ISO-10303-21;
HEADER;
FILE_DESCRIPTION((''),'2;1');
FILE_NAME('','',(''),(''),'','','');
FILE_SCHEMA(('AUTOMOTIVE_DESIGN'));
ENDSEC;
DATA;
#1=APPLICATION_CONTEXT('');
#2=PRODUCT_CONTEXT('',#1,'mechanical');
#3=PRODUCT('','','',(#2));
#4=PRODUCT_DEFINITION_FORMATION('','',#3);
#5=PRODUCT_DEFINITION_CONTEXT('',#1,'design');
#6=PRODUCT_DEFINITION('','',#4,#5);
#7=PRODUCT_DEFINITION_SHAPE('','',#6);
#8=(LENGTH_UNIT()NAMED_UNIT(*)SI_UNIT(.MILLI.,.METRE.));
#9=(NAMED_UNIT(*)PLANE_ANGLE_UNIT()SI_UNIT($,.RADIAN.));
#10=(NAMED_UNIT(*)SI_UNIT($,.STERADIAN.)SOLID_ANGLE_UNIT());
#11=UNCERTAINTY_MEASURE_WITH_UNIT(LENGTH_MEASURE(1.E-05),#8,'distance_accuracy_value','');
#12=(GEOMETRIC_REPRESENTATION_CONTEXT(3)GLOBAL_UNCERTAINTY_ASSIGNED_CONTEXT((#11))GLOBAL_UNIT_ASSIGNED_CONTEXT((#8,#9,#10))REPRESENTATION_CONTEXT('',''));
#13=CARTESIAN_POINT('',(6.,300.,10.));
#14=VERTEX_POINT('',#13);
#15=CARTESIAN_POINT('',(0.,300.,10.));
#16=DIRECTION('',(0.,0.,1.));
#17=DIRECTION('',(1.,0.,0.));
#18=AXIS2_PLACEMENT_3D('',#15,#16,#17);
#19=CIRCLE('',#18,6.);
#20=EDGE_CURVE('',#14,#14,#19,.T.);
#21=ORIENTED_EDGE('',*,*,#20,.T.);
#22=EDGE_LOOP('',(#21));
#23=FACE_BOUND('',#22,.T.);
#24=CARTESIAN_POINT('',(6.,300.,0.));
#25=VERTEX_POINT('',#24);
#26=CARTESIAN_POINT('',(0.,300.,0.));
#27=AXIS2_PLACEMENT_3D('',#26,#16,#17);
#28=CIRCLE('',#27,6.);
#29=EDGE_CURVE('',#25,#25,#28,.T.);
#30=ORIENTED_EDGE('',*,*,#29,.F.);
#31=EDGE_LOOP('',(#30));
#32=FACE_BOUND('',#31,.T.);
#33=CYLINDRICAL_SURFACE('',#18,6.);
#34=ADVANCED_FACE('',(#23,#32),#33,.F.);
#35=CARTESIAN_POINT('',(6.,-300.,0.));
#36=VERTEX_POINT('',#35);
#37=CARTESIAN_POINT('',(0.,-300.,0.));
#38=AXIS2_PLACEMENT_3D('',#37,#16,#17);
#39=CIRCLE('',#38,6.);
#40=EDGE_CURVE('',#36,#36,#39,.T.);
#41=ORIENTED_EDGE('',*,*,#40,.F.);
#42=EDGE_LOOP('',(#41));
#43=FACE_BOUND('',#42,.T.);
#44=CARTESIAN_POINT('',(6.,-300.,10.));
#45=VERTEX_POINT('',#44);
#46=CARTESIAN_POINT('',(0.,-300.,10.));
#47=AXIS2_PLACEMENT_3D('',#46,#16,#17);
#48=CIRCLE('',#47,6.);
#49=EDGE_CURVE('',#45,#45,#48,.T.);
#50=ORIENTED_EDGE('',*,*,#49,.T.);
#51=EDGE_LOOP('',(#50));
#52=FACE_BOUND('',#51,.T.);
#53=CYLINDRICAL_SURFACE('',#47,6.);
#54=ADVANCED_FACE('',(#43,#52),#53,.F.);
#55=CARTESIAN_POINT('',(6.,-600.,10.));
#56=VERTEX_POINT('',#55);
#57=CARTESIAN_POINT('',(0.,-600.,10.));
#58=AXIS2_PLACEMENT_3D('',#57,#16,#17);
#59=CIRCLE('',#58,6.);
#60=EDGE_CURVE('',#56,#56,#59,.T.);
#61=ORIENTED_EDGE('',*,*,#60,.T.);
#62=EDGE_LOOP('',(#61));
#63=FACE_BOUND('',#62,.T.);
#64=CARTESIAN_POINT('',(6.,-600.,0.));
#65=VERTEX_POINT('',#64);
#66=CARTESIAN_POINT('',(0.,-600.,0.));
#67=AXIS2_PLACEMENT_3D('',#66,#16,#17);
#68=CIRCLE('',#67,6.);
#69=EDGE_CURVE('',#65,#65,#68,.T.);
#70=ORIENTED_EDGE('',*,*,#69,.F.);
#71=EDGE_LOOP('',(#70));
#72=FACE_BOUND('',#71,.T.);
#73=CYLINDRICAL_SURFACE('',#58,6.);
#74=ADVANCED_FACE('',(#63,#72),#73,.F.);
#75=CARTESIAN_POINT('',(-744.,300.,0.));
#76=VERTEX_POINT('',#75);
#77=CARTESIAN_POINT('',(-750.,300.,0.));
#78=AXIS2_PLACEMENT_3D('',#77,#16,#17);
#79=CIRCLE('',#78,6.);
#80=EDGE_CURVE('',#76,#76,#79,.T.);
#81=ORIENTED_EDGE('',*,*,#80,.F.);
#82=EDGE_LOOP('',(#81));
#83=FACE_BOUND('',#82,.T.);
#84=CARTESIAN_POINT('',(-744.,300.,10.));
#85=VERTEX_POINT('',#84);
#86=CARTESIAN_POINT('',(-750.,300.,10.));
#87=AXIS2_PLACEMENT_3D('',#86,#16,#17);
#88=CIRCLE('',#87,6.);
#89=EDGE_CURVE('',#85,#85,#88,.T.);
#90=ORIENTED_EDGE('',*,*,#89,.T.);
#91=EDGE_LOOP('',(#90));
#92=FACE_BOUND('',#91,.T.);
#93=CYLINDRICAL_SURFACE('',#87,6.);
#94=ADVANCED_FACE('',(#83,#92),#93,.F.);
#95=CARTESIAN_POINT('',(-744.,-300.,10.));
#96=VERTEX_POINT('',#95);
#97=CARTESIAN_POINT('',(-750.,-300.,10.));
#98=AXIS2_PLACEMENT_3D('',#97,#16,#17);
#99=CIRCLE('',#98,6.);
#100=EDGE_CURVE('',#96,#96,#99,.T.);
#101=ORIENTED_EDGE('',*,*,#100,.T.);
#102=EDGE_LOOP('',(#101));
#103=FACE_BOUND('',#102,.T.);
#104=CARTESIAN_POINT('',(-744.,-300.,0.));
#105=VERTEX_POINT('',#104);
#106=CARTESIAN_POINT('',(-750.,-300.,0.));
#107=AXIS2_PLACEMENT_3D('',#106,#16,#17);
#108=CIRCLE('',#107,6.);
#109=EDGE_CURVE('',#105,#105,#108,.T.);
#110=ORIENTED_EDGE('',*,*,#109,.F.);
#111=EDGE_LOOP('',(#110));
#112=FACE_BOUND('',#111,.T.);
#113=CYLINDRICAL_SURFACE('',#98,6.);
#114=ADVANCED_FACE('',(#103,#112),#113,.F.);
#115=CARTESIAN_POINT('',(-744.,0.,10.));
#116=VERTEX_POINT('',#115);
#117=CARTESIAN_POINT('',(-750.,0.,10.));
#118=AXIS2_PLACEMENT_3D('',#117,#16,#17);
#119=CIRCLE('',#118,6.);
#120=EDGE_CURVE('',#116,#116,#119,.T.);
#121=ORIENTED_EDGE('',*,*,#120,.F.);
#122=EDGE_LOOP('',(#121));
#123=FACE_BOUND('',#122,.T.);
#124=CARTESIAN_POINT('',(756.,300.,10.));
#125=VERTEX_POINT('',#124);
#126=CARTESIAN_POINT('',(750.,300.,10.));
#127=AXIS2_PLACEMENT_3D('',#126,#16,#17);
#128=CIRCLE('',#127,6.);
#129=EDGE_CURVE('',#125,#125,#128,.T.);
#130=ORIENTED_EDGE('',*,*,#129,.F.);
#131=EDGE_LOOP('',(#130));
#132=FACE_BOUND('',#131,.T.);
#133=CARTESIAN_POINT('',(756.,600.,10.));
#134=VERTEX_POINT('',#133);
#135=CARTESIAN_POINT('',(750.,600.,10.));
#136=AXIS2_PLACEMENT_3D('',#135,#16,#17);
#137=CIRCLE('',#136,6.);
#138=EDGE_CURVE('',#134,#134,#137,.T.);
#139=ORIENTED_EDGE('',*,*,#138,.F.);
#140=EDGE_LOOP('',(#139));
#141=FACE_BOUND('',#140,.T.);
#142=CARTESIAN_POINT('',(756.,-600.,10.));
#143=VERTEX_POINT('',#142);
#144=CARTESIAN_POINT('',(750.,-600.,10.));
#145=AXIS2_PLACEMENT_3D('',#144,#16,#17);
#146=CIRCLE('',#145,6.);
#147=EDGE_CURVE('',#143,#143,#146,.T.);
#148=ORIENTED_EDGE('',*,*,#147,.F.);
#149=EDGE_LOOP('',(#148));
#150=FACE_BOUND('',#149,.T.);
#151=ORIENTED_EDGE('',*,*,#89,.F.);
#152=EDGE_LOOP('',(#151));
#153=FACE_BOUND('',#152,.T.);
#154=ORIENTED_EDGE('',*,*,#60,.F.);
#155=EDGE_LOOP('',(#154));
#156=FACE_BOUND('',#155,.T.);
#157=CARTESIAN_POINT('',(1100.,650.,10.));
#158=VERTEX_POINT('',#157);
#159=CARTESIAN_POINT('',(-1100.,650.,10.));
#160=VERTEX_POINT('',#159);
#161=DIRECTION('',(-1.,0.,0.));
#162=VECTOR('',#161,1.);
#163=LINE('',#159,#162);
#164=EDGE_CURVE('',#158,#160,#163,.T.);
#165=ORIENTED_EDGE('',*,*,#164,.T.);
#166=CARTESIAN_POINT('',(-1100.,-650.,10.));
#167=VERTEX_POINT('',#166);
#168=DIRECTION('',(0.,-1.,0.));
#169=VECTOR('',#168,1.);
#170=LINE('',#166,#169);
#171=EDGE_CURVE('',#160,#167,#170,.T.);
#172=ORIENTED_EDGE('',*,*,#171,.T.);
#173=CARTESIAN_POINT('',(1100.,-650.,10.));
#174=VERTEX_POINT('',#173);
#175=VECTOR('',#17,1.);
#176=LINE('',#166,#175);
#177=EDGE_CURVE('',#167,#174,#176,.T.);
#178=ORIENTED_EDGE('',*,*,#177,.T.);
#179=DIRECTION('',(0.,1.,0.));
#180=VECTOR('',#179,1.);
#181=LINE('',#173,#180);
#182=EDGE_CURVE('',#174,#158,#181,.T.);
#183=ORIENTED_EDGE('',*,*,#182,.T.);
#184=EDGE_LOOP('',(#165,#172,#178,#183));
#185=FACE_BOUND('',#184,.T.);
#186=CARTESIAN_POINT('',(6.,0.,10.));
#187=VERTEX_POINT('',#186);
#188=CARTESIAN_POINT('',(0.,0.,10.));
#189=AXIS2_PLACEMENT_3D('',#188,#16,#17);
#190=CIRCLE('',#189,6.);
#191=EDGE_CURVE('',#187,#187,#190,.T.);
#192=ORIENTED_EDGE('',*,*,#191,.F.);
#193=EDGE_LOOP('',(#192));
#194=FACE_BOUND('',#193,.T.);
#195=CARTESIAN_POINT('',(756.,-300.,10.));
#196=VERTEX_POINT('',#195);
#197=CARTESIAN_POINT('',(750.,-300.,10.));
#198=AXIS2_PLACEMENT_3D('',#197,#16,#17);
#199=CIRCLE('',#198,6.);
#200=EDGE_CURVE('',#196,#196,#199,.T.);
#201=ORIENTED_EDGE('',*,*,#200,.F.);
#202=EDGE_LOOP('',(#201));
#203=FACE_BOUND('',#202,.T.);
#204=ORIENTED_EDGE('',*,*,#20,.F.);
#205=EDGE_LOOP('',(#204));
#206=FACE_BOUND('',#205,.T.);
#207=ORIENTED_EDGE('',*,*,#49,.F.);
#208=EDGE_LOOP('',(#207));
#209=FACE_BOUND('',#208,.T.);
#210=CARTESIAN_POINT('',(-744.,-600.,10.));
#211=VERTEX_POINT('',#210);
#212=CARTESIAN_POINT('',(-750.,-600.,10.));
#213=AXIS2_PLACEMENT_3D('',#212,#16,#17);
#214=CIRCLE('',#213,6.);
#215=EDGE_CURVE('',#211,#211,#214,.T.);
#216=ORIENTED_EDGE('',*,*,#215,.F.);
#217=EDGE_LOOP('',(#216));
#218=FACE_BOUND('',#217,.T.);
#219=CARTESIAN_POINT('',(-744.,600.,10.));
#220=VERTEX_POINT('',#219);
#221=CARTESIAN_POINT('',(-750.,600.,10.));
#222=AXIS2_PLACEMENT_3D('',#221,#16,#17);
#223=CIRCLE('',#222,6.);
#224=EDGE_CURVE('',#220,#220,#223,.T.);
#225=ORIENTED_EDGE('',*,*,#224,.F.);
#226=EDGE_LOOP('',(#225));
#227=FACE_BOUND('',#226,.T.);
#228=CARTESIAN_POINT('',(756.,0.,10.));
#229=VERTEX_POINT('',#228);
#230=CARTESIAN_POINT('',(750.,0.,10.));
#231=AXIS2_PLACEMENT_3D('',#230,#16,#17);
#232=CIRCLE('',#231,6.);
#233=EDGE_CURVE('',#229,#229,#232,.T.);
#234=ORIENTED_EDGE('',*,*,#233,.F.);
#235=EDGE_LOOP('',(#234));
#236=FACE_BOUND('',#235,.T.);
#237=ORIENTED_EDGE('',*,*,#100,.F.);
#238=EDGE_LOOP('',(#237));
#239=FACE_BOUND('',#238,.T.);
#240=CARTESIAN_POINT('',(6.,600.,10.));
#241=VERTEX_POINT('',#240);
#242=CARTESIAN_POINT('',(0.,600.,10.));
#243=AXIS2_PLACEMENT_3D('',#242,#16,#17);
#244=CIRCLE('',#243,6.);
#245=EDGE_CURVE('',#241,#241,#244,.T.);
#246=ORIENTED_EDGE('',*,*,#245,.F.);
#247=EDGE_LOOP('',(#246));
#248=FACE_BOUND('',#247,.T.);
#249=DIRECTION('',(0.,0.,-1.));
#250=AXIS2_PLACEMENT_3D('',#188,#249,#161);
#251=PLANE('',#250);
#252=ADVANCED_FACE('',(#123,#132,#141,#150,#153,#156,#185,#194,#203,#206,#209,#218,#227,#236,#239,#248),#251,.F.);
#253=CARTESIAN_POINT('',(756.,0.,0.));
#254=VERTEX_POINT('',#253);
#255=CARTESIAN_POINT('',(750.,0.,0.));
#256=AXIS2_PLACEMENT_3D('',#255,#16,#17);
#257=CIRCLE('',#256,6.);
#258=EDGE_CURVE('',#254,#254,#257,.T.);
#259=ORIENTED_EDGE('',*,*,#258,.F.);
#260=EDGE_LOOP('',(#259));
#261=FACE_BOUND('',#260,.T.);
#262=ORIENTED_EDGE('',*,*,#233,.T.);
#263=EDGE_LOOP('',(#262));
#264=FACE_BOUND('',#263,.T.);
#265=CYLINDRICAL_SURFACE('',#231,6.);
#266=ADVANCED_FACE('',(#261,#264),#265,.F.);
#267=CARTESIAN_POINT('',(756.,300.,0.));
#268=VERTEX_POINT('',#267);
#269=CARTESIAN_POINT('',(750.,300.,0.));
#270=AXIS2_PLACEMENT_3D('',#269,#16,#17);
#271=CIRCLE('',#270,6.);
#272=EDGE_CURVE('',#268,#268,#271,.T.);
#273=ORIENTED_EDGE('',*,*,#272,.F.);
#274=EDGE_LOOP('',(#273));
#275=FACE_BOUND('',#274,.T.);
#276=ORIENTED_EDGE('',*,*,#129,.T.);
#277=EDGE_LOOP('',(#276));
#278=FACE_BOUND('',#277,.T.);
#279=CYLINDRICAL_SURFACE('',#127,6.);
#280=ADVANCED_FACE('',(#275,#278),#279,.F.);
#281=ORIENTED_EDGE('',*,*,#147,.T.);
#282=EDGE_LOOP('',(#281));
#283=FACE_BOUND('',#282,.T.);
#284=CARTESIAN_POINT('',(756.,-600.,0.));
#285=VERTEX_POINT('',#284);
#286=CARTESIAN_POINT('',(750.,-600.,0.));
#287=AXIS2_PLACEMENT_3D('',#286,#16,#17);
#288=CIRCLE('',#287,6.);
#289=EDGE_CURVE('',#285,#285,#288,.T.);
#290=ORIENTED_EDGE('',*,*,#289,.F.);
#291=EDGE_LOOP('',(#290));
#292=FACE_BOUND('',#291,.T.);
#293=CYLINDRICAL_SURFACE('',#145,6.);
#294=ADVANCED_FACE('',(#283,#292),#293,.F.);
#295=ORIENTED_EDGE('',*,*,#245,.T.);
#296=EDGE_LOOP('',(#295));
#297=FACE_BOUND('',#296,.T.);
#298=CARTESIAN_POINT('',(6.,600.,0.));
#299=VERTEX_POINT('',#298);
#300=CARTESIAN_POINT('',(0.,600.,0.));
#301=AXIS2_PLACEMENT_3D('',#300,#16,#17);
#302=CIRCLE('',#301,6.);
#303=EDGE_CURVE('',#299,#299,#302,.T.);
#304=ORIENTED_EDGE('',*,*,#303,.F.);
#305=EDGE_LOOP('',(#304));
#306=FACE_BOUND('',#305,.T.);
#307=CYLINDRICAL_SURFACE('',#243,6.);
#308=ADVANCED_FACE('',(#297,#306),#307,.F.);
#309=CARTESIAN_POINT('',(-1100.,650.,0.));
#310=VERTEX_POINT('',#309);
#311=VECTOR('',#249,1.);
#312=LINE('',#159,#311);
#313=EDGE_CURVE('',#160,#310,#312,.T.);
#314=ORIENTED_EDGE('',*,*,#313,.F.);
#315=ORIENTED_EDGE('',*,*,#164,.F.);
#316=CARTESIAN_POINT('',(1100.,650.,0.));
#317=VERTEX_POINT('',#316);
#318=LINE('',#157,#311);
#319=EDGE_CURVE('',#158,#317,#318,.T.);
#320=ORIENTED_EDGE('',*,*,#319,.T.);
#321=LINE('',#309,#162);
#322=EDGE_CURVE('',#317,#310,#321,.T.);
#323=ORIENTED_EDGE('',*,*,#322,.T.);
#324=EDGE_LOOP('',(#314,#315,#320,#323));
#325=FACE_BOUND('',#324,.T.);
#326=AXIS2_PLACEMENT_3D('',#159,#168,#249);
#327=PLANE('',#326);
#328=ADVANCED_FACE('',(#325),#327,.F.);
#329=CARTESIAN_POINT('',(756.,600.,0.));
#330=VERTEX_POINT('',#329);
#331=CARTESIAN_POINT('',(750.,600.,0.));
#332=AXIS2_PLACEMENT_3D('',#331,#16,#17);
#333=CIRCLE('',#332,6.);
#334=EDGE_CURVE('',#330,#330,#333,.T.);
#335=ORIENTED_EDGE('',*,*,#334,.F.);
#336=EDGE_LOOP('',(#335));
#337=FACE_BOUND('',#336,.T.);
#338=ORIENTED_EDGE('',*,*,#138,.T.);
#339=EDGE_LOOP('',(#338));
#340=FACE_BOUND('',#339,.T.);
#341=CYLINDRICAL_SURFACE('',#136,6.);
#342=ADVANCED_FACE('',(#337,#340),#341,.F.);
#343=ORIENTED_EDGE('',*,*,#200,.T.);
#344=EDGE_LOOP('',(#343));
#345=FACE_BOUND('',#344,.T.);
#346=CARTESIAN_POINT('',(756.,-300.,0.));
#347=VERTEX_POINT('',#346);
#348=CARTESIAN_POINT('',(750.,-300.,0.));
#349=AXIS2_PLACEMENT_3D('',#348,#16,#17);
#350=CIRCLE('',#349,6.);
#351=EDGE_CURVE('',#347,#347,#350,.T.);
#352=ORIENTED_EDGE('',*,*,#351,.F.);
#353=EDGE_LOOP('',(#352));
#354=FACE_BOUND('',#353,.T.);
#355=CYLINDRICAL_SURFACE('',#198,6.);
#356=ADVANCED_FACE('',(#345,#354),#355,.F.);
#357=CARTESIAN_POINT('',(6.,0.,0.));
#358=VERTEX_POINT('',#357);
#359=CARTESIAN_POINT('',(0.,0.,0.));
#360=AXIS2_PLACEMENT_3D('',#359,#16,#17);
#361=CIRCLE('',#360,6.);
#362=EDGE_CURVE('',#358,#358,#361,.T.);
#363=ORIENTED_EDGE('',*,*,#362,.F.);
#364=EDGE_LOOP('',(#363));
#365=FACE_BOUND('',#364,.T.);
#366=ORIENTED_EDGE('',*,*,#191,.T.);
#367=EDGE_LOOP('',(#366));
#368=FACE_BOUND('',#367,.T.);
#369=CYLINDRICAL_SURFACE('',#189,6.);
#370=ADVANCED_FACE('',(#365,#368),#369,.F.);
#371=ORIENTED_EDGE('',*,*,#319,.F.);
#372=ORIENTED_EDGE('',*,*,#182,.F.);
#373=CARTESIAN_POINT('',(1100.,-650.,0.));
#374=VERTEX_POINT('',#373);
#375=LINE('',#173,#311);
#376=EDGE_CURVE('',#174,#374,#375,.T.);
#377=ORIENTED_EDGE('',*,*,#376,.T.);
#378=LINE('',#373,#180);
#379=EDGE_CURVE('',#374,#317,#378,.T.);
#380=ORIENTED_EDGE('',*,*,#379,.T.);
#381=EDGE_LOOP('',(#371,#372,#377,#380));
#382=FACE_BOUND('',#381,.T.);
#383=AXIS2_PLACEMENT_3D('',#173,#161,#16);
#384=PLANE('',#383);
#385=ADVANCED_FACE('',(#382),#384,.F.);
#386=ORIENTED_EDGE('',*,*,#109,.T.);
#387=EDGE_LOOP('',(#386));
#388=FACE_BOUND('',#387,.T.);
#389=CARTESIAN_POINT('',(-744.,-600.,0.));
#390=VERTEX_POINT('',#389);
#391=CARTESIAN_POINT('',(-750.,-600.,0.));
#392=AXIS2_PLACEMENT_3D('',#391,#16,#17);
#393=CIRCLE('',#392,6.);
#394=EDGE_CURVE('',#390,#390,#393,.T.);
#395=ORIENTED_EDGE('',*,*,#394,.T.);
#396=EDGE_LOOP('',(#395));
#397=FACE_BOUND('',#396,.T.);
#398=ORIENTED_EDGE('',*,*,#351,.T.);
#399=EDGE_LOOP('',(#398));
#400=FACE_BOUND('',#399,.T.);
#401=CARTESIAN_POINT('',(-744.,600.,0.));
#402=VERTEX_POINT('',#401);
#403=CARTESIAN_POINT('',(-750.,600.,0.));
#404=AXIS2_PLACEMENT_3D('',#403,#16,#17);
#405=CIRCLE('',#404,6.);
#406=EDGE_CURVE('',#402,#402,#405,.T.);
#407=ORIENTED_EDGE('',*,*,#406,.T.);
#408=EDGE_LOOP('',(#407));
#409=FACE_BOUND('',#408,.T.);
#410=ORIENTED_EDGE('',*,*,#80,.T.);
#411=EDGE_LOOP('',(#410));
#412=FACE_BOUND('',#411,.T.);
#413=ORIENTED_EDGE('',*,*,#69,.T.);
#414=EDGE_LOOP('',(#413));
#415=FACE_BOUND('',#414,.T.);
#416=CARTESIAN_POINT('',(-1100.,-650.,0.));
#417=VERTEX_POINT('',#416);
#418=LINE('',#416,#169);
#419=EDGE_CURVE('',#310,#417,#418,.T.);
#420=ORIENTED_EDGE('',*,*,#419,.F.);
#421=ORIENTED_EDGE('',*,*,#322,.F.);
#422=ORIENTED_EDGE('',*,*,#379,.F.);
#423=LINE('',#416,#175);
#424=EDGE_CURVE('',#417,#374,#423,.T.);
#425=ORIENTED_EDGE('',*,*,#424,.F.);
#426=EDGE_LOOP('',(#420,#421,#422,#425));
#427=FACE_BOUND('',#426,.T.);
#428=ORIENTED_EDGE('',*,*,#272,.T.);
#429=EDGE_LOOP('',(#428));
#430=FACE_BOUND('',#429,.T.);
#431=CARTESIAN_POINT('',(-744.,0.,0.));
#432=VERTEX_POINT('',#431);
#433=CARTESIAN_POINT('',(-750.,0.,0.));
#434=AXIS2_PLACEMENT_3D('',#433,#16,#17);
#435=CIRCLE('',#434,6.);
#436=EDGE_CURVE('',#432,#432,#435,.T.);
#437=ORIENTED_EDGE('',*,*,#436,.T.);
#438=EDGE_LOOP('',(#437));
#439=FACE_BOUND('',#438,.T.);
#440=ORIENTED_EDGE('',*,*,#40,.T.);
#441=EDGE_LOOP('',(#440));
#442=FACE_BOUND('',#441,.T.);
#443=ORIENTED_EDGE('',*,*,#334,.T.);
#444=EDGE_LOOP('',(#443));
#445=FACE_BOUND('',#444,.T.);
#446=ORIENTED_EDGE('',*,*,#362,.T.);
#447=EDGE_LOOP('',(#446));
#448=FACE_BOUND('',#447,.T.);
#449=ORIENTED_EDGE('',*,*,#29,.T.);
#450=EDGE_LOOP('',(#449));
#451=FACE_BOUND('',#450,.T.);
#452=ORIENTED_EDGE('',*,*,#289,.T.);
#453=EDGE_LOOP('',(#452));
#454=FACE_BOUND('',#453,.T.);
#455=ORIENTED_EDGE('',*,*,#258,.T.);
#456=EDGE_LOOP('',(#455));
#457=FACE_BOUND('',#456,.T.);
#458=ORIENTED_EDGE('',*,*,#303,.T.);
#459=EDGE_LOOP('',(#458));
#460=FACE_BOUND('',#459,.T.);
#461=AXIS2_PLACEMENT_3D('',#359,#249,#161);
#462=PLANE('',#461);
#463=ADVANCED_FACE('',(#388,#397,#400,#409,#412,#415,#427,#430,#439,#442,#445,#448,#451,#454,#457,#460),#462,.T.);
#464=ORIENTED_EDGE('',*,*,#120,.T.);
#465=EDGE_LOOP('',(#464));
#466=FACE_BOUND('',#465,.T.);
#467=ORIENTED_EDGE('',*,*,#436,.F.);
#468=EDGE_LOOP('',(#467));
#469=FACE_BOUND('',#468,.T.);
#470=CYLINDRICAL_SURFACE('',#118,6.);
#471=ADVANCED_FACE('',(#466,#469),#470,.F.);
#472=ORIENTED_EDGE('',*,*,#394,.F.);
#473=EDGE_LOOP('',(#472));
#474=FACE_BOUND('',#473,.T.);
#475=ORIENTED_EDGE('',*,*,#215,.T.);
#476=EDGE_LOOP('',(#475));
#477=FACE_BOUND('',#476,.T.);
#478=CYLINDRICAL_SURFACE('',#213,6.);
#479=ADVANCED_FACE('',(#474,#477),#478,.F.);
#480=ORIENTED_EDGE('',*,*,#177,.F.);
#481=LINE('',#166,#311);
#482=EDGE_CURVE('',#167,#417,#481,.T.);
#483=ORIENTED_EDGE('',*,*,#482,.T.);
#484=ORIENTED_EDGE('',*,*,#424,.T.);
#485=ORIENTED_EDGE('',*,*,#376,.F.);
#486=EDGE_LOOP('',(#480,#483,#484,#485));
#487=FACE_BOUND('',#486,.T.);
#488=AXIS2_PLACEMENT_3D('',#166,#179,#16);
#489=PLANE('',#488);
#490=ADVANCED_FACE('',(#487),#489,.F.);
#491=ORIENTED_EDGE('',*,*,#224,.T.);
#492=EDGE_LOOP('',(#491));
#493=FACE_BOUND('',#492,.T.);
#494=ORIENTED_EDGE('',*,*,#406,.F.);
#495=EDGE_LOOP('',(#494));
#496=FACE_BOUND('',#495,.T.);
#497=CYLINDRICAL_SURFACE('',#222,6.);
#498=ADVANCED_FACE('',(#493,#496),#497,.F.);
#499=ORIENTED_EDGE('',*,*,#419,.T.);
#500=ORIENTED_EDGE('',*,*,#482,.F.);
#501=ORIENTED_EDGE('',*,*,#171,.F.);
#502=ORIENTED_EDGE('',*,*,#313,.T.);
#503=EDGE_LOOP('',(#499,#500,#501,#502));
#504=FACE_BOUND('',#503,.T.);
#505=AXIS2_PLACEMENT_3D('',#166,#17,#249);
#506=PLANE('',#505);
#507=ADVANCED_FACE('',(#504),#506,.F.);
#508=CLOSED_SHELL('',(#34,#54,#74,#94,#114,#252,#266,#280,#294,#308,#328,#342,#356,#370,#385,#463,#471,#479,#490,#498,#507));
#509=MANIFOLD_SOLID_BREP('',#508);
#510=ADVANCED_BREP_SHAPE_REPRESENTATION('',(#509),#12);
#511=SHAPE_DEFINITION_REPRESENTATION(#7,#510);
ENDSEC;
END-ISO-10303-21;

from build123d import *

# Parameters (mm, degrees)
SZKIC1_W                    = 2200
SZKIC1_H                    = 1300
DODANIE_WYCI_GNI_CIE1_DEPTH = 10
OTW_R_POD_RUB_M101_D        = 12
SZYK_LINIOWY1_COUNT         = 5
SZYK_LINIOWY1_PITCH         = 300
SZYK_LINIOWY1_COUNT_DIR2    = 3
SZYK_LINIOWY1_PITCH_DIR2    = 750


with BuildPart() as part:
    # Szkic1 → Dodanie-wyciągnięcie1 (new body)
    with BuildSketch(Plane.XY):
        Rectangle(SZKIC1_W, SZKIC1_H)
    extrude(amount=DODANIE_WYCI_GNI_CIE1_DEPTH)

    # Otwór pod śrubę M101 (through all)
    with Locations(Plane.XY.offset(10)):
        with Locations((-750, -600)):
            otw_r_pod_rub_m101 = Hole(OTW_R_POD_RUB_M101_D / 2)

    # Szyk liniowy1: Otw_r pod _rub_ M101 5 × 3
    with Locations(*[(j * SZYK_LINIOWY1_PITCH_DIR2, i * SZYK_LINIOWY1_PITCH, 0) for i in range(SZYK_LINIOWY1_COUNT) for j in range(SZYK_LINIOWY1_COUNT_DIR2) if (i, j) != (0, 0)]):
        add(otw_r_pod_rub_m101, mode=Mode.SUBTRACT)


solid = part.part
